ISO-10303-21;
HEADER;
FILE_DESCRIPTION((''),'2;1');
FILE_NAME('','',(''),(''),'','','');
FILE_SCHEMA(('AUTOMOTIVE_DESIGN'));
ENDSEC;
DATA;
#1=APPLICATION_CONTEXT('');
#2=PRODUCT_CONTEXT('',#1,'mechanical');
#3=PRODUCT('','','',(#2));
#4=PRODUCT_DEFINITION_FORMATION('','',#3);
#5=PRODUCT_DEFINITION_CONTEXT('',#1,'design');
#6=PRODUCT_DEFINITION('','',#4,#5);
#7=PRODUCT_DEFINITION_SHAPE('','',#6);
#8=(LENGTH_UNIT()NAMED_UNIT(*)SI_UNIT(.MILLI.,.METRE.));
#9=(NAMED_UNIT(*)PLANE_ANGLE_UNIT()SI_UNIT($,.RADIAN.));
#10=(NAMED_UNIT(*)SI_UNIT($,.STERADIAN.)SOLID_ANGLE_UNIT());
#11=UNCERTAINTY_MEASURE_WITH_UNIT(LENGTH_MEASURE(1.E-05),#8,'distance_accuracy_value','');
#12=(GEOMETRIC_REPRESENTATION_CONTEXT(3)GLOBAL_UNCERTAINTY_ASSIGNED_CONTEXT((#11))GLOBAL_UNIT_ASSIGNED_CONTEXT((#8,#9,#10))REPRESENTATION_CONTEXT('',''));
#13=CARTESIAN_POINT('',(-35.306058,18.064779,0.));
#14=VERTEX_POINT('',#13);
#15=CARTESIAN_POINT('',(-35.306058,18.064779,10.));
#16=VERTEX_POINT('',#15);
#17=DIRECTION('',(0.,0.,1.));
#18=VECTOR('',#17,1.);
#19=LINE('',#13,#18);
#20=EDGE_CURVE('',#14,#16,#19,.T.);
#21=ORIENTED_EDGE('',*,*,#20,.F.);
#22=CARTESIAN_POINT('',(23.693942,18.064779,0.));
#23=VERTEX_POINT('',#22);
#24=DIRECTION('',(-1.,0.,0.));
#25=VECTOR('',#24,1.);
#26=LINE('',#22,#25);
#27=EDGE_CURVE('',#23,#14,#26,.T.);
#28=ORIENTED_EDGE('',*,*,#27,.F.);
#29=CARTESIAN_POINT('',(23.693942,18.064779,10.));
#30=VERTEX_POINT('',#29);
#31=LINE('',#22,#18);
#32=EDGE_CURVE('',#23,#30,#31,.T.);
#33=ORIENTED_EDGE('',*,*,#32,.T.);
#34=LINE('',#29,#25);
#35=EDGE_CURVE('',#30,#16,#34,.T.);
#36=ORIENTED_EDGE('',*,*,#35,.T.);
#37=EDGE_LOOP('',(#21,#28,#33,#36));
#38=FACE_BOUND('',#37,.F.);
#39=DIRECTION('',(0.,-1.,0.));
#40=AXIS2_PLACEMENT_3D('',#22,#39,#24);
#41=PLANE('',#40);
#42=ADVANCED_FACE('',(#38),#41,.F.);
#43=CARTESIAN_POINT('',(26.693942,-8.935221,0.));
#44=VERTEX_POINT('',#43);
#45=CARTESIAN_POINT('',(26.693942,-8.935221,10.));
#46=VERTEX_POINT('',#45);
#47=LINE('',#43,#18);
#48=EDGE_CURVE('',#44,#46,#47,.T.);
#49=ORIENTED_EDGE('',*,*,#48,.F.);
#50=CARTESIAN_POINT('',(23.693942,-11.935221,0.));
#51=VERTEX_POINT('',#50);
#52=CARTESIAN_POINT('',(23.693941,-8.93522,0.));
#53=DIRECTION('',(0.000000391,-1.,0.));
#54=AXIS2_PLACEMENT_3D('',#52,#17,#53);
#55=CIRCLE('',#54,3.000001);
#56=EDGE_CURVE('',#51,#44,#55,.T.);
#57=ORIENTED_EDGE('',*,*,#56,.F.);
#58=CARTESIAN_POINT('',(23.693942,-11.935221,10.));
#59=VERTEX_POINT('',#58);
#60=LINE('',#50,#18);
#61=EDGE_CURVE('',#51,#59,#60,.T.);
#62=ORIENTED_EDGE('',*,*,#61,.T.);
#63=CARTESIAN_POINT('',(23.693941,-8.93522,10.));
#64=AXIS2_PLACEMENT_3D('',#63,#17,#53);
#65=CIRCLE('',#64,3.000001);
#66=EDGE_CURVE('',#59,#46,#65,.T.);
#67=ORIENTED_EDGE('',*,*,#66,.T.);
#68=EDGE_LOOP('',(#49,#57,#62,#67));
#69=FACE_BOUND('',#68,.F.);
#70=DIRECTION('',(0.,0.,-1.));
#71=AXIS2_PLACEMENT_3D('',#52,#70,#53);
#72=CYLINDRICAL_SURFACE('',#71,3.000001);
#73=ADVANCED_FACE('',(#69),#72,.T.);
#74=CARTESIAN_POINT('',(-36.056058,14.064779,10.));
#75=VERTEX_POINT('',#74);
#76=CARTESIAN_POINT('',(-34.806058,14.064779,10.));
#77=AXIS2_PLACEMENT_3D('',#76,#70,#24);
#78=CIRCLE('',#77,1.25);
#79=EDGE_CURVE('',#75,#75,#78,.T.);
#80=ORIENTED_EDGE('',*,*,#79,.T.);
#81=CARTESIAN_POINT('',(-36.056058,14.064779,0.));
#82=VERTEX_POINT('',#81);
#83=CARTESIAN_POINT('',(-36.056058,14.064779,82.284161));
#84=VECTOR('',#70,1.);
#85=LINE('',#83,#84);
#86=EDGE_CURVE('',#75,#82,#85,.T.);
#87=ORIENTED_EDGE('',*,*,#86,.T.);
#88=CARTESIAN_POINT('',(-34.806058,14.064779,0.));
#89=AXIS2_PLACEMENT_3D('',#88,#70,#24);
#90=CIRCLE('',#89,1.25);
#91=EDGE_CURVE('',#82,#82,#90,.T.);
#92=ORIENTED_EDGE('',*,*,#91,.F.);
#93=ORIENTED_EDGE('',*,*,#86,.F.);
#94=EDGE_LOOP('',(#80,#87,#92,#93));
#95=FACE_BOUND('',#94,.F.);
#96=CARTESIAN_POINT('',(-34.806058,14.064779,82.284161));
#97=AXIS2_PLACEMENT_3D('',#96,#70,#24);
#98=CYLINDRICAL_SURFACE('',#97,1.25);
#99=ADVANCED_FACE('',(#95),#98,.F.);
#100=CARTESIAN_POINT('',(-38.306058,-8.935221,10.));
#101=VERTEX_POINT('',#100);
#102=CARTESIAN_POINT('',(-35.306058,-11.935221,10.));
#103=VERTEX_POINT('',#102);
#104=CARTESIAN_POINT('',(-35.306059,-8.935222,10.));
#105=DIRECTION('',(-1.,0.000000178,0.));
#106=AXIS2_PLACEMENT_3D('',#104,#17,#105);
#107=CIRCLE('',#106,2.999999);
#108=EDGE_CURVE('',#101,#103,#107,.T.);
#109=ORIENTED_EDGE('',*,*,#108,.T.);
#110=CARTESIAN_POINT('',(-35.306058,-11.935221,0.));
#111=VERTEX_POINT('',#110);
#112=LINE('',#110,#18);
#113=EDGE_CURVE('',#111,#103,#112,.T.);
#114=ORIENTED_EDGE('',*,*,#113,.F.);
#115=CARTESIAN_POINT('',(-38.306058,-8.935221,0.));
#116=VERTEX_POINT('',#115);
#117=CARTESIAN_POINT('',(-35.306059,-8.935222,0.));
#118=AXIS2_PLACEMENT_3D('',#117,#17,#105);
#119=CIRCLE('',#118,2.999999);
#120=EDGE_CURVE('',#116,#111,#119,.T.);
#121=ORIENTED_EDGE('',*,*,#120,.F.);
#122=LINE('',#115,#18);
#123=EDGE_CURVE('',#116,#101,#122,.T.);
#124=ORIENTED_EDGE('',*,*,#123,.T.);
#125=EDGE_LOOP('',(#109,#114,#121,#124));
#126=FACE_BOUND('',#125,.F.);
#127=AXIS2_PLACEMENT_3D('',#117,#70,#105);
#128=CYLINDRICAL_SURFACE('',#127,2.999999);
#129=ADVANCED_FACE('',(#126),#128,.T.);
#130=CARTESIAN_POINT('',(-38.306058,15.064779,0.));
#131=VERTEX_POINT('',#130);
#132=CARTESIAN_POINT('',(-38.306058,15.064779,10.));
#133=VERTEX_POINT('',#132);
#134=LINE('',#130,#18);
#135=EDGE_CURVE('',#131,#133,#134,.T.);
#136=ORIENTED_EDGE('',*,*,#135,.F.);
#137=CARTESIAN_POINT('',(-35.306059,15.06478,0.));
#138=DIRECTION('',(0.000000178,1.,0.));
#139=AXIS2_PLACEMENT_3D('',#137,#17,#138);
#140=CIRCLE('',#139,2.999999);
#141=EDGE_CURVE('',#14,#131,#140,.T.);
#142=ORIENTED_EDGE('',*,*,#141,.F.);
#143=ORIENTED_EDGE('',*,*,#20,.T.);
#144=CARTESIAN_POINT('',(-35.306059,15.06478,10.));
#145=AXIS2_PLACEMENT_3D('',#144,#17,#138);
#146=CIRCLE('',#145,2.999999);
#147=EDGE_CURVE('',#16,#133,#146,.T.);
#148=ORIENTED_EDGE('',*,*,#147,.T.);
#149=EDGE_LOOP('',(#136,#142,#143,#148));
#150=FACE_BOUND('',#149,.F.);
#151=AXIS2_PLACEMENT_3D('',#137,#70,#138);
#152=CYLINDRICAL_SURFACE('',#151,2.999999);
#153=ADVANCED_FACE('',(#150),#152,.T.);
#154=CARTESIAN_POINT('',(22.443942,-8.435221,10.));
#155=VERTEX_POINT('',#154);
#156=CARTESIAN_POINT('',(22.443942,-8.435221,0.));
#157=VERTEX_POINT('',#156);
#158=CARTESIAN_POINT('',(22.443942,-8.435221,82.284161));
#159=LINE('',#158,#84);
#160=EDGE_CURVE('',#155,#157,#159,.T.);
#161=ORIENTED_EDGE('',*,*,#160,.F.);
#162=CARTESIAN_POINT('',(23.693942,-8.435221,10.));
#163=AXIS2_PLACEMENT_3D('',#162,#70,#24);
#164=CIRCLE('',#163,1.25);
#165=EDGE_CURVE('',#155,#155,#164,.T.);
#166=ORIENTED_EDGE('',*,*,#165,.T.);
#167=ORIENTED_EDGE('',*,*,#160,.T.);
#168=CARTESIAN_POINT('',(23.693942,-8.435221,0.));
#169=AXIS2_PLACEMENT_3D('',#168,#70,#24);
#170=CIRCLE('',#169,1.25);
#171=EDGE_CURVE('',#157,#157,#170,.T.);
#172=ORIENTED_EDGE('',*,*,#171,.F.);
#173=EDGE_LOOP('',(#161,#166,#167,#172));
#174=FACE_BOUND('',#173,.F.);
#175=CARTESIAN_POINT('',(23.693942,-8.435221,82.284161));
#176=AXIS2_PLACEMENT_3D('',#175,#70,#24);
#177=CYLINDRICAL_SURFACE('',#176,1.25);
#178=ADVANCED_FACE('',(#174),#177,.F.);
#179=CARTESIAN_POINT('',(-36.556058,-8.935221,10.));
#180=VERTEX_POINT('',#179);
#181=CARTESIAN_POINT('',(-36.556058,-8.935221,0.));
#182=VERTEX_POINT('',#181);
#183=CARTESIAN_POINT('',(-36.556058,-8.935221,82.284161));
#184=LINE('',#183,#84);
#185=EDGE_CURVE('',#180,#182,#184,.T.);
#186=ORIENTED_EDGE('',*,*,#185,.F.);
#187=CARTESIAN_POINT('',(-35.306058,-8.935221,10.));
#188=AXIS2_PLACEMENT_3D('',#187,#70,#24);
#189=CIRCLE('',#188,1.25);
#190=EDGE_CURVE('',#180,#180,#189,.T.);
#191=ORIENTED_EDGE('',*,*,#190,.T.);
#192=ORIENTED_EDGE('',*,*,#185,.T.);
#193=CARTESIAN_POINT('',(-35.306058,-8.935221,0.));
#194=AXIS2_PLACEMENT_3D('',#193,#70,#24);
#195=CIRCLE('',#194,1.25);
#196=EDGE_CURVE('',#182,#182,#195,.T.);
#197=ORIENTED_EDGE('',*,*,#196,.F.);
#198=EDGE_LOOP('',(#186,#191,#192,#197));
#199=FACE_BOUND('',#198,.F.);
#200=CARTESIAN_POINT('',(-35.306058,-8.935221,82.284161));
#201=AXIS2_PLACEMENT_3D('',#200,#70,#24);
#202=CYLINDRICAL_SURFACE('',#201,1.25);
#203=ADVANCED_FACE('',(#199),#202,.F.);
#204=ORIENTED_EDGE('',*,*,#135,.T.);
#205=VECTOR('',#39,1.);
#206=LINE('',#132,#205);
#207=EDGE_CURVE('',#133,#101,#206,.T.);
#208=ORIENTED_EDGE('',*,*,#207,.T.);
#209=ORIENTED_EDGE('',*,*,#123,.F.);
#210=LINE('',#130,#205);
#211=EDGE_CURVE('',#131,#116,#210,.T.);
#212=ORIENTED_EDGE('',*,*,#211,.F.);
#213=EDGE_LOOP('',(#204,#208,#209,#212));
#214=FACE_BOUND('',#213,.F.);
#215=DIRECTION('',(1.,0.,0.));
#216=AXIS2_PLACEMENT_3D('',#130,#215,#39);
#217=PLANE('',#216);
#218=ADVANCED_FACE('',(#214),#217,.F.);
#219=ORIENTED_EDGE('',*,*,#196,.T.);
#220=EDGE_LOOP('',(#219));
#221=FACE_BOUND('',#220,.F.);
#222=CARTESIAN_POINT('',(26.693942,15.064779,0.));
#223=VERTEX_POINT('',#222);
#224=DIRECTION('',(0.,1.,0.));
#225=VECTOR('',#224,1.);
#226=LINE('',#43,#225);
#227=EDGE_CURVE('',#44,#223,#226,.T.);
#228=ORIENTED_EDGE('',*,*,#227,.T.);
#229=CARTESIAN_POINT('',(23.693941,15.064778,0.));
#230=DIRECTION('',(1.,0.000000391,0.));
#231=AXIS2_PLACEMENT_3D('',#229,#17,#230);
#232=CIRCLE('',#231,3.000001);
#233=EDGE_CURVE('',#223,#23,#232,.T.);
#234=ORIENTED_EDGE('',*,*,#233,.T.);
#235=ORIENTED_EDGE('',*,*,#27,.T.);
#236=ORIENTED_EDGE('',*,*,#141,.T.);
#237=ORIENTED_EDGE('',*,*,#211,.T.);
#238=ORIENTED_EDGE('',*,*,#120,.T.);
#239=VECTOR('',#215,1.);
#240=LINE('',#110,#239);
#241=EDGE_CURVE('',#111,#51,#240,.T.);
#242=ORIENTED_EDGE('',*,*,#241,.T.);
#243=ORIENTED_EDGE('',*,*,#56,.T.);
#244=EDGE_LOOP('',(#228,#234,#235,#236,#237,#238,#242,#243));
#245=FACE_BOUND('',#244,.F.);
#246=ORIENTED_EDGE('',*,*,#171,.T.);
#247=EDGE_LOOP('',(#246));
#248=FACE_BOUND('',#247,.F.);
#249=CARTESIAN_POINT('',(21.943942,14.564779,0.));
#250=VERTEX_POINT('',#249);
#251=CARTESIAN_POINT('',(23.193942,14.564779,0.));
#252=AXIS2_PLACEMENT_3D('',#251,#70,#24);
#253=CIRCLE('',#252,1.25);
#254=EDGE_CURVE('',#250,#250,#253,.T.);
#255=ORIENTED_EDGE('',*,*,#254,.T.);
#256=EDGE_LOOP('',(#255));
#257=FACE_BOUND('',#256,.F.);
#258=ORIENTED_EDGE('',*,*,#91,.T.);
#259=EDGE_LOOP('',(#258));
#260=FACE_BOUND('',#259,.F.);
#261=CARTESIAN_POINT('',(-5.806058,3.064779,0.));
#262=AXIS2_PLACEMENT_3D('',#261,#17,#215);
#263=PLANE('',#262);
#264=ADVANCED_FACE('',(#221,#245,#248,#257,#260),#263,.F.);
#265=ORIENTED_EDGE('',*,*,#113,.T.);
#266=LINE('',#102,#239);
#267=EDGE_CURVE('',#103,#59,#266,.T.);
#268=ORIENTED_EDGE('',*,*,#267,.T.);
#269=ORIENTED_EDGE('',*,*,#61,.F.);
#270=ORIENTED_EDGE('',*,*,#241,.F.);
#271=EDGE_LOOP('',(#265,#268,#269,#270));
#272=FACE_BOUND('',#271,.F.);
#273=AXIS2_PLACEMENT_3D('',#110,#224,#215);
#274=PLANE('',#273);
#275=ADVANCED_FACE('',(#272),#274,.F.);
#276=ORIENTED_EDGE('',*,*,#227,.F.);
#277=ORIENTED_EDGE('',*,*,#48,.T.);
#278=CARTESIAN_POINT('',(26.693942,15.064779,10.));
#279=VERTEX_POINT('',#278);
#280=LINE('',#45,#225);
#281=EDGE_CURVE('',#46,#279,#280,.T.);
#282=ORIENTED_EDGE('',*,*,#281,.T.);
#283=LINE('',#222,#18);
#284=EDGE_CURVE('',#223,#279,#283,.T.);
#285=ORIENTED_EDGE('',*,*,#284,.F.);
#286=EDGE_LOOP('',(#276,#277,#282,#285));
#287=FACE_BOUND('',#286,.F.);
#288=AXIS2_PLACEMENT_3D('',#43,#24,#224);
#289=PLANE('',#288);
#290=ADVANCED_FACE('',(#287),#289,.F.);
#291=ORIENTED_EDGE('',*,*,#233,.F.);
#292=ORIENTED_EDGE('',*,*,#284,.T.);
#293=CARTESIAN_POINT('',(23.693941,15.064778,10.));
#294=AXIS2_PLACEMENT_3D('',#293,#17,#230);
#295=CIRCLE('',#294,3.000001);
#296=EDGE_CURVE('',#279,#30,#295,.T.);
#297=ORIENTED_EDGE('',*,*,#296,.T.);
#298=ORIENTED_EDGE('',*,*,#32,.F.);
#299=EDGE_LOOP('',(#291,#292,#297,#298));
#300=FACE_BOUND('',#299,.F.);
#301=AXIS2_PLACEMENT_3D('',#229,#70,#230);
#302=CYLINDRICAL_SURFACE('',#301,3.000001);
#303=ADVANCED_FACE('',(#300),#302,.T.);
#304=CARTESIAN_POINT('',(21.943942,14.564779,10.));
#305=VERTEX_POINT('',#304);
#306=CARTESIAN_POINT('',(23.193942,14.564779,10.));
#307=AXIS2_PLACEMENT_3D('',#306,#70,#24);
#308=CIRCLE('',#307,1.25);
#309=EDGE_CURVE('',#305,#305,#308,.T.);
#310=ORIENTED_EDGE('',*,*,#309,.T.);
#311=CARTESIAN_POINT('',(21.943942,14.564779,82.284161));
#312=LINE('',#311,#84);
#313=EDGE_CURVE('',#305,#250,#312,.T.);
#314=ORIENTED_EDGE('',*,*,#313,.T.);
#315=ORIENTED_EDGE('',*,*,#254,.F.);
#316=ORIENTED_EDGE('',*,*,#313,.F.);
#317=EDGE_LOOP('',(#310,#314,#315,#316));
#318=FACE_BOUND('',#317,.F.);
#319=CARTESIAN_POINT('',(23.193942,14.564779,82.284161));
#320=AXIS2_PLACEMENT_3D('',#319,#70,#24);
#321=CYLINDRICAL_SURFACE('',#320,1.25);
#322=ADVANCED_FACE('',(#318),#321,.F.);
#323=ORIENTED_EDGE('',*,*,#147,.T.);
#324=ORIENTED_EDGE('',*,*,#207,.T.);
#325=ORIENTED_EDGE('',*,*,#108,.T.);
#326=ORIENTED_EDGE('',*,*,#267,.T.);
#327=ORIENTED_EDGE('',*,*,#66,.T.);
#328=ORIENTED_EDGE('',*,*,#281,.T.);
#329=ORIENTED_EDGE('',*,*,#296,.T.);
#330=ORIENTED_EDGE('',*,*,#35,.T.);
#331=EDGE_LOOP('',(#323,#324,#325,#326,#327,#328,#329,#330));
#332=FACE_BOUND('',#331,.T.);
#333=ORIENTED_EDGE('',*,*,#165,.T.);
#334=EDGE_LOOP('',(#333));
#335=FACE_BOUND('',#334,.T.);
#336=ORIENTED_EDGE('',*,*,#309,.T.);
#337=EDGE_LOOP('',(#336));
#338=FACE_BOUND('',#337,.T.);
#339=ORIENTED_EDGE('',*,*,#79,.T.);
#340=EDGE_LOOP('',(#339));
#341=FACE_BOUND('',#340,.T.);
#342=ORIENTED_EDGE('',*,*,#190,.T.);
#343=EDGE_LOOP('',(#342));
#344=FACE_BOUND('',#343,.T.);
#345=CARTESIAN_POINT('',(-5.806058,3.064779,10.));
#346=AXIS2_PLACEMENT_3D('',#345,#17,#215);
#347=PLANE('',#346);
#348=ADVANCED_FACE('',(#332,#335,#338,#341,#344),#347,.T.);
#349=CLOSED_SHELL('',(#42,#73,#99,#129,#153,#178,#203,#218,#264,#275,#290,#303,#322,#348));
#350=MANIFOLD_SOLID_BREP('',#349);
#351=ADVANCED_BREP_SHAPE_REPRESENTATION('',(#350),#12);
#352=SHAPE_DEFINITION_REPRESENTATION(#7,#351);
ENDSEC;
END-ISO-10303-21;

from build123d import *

# Parameters (mm, degrees)
F1_DEPTH = 10
F3_D     = 2.5


with BuildPart() as f1:
    # F0 (on Top) → F1 (new body)
    with BuildSketch(Plane.XY):
        with BuildLine():
            Line((23.693942, 18.064779), (-35.306058, 18.064779))
            ThreePointArc((-35.306058, 18.064779), (-37.427379, 17.186099), (-38.306058, 15.064779))
            Line((-38.306058, 15.064779), (-38.306058, -8.935221))
            ThreePointArc((-38.306058, -8.935221), (-37.427379, -11.056541), (-35.306058, -11.935221))
            Line((-35.306058, -11.935221), (23.693942, -11.935221))
            ThreePointArc((23.693942, -11.935221), (25.815262, -11.056541), (26.693942, -8.935221))
            Line((26.693942, -8.935221), (26.693942, 15.064779))
            ThreePointArc((26.693942, 15.064779), (25.815262, 17.186099), (23.693942, 18.064779))
        make_face()
    extrude(amount=F1_DEPTH)

    # F3 (through all)
    with Locations(Plane.XY.offset(10)):
        with Locations((-34.806058, 14.064779), (-35.306058, -8.935221), (23.193942, 14.564779), (23.693942, -8.435221)):
            Hole(F3_D / 2)


solid = f1.part
